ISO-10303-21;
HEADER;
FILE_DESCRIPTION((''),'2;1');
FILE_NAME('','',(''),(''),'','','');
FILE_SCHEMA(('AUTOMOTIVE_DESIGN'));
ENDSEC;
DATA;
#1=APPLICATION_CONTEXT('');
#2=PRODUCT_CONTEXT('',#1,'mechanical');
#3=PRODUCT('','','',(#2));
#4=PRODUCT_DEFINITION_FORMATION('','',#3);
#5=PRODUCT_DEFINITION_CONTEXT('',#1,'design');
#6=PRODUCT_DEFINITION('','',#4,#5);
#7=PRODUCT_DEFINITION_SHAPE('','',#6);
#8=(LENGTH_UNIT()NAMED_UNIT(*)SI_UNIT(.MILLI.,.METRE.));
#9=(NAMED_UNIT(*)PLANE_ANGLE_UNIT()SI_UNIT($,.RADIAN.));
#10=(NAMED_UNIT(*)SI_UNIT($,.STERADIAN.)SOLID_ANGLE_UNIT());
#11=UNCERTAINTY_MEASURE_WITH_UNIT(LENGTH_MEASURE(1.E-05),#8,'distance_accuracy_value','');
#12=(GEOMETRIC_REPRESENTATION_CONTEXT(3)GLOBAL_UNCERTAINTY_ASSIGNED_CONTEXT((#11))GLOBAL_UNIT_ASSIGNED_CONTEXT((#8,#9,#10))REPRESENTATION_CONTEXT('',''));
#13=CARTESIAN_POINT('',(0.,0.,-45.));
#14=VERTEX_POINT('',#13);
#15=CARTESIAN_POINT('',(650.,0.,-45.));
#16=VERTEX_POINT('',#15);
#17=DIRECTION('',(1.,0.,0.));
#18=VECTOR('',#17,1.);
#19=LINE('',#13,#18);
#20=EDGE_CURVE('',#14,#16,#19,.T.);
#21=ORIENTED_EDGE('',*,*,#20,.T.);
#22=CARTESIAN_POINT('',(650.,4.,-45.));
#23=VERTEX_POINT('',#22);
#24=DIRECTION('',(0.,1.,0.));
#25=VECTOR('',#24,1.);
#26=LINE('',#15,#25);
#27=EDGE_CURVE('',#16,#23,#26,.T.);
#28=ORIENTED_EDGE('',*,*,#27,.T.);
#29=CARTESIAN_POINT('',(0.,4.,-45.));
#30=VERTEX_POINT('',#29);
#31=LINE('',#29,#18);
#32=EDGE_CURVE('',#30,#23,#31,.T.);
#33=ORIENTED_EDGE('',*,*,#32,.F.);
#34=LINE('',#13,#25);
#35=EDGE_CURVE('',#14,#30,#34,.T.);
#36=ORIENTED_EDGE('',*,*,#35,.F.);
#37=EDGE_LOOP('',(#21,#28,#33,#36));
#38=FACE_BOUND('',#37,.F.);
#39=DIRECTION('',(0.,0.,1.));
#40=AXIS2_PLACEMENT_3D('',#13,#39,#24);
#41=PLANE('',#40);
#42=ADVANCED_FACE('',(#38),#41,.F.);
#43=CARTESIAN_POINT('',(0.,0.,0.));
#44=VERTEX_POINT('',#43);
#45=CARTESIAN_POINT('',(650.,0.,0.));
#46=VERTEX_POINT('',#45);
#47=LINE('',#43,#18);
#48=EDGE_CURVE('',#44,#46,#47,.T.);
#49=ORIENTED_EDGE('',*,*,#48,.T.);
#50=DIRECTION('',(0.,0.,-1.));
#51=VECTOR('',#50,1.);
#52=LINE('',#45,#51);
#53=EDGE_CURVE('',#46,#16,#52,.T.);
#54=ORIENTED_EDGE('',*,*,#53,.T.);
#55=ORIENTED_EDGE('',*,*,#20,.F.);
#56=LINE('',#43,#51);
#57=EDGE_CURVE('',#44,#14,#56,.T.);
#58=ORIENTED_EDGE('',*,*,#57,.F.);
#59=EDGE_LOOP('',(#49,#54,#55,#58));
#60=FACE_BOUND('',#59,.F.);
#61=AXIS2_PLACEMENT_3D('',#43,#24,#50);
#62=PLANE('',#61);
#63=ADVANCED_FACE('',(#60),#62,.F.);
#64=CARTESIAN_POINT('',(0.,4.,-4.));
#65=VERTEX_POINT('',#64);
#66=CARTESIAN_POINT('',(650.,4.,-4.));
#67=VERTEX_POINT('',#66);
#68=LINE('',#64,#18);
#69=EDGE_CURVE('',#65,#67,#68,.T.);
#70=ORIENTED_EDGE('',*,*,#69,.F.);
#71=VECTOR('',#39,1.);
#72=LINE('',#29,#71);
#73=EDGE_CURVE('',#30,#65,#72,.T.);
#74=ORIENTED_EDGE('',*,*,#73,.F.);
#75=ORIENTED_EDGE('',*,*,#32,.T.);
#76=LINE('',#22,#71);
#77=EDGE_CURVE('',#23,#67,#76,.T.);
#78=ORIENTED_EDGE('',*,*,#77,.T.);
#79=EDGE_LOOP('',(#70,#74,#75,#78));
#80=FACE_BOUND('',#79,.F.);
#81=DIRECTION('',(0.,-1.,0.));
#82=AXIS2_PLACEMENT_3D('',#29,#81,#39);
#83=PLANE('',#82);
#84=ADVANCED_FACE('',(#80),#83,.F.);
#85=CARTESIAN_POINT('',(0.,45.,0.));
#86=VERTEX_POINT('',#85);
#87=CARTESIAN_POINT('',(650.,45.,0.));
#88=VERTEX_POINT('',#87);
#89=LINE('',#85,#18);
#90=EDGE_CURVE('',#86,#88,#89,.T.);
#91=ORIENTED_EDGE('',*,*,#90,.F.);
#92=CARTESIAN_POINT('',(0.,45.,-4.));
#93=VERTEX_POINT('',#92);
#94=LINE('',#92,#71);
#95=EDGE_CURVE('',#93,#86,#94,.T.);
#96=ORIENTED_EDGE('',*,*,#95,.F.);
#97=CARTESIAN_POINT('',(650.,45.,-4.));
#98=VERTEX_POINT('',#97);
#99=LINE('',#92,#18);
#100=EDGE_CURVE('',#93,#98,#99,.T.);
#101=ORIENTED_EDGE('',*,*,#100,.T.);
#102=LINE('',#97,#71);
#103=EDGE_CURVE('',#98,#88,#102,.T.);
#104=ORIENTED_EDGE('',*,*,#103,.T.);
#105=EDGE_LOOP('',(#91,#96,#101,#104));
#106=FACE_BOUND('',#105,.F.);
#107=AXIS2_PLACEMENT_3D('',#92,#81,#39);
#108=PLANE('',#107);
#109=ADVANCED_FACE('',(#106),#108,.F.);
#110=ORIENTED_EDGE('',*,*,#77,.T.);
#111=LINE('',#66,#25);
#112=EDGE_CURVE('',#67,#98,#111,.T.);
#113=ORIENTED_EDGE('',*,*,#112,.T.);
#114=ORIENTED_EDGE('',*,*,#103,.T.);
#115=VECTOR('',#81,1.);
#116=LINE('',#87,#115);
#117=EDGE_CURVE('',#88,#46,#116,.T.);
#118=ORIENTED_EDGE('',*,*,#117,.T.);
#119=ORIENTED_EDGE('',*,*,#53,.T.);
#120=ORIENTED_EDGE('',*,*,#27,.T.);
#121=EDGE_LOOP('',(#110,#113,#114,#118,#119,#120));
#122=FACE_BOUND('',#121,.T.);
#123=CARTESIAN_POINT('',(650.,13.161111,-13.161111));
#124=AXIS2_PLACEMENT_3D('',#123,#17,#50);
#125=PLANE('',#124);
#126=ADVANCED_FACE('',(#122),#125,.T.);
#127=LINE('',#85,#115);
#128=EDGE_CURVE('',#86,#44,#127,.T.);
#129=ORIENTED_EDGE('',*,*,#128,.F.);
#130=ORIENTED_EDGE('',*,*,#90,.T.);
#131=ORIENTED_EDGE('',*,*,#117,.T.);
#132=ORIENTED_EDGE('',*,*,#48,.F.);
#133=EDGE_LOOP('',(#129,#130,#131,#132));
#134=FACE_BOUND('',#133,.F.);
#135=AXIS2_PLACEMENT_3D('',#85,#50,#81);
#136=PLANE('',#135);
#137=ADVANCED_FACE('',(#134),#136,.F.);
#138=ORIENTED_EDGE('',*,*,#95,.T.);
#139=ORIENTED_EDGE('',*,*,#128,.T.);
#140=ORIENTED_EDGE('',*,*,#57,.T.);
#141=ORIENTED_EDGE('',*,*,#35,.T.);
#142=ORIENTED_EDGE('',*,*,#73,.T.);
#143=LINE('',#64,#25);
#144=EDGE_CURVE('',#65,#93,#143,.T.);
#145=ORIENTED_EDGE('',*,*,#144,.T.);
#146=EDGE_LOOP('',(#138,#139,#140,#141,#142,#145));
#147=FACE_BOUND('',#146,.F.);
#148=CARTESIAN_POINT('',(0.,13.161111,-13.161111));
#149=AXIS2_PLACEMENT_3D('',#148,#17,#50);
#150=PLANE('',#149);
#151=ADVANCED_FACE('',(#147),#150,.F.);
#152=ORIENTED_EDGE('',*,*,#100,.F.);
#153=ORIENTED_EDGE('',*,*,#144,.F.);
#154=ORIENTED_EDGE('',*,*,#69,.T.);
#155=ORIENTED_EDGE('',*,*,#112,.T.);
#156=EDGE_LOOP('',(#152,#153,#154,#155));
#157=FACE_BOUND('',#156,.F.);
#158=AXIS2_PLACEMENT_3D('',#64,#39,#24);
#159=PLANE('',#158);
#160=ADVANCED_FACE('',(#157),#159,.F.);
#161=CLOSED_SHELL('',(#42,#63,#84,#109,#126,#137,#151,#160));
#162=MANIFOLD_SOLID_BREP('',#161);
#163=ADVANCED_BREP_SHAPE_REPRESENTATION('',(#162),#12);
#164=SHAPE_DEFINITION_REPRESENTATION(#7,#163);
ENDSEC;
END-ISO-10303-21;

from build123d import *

# Parameters (mm, degrees)
EXTRUDE_1_DEPTH = 650


with BuildPart() as part:
    # Эскиз1 → Вытянуть-Тонкостенный1 (new body)
    with BuildSketch(Plane(origin=(0, 0, 0), x_dir=(0, 0, -1), z_dir=(1, 0, 0))):
        Polygon((0, 45), (0, 0), (45, 0), (45, 4), (4, 4), (4, 45), align=None)
    extrude(amount=EXTRUDE_1_DEPTH)


solid = part.part
